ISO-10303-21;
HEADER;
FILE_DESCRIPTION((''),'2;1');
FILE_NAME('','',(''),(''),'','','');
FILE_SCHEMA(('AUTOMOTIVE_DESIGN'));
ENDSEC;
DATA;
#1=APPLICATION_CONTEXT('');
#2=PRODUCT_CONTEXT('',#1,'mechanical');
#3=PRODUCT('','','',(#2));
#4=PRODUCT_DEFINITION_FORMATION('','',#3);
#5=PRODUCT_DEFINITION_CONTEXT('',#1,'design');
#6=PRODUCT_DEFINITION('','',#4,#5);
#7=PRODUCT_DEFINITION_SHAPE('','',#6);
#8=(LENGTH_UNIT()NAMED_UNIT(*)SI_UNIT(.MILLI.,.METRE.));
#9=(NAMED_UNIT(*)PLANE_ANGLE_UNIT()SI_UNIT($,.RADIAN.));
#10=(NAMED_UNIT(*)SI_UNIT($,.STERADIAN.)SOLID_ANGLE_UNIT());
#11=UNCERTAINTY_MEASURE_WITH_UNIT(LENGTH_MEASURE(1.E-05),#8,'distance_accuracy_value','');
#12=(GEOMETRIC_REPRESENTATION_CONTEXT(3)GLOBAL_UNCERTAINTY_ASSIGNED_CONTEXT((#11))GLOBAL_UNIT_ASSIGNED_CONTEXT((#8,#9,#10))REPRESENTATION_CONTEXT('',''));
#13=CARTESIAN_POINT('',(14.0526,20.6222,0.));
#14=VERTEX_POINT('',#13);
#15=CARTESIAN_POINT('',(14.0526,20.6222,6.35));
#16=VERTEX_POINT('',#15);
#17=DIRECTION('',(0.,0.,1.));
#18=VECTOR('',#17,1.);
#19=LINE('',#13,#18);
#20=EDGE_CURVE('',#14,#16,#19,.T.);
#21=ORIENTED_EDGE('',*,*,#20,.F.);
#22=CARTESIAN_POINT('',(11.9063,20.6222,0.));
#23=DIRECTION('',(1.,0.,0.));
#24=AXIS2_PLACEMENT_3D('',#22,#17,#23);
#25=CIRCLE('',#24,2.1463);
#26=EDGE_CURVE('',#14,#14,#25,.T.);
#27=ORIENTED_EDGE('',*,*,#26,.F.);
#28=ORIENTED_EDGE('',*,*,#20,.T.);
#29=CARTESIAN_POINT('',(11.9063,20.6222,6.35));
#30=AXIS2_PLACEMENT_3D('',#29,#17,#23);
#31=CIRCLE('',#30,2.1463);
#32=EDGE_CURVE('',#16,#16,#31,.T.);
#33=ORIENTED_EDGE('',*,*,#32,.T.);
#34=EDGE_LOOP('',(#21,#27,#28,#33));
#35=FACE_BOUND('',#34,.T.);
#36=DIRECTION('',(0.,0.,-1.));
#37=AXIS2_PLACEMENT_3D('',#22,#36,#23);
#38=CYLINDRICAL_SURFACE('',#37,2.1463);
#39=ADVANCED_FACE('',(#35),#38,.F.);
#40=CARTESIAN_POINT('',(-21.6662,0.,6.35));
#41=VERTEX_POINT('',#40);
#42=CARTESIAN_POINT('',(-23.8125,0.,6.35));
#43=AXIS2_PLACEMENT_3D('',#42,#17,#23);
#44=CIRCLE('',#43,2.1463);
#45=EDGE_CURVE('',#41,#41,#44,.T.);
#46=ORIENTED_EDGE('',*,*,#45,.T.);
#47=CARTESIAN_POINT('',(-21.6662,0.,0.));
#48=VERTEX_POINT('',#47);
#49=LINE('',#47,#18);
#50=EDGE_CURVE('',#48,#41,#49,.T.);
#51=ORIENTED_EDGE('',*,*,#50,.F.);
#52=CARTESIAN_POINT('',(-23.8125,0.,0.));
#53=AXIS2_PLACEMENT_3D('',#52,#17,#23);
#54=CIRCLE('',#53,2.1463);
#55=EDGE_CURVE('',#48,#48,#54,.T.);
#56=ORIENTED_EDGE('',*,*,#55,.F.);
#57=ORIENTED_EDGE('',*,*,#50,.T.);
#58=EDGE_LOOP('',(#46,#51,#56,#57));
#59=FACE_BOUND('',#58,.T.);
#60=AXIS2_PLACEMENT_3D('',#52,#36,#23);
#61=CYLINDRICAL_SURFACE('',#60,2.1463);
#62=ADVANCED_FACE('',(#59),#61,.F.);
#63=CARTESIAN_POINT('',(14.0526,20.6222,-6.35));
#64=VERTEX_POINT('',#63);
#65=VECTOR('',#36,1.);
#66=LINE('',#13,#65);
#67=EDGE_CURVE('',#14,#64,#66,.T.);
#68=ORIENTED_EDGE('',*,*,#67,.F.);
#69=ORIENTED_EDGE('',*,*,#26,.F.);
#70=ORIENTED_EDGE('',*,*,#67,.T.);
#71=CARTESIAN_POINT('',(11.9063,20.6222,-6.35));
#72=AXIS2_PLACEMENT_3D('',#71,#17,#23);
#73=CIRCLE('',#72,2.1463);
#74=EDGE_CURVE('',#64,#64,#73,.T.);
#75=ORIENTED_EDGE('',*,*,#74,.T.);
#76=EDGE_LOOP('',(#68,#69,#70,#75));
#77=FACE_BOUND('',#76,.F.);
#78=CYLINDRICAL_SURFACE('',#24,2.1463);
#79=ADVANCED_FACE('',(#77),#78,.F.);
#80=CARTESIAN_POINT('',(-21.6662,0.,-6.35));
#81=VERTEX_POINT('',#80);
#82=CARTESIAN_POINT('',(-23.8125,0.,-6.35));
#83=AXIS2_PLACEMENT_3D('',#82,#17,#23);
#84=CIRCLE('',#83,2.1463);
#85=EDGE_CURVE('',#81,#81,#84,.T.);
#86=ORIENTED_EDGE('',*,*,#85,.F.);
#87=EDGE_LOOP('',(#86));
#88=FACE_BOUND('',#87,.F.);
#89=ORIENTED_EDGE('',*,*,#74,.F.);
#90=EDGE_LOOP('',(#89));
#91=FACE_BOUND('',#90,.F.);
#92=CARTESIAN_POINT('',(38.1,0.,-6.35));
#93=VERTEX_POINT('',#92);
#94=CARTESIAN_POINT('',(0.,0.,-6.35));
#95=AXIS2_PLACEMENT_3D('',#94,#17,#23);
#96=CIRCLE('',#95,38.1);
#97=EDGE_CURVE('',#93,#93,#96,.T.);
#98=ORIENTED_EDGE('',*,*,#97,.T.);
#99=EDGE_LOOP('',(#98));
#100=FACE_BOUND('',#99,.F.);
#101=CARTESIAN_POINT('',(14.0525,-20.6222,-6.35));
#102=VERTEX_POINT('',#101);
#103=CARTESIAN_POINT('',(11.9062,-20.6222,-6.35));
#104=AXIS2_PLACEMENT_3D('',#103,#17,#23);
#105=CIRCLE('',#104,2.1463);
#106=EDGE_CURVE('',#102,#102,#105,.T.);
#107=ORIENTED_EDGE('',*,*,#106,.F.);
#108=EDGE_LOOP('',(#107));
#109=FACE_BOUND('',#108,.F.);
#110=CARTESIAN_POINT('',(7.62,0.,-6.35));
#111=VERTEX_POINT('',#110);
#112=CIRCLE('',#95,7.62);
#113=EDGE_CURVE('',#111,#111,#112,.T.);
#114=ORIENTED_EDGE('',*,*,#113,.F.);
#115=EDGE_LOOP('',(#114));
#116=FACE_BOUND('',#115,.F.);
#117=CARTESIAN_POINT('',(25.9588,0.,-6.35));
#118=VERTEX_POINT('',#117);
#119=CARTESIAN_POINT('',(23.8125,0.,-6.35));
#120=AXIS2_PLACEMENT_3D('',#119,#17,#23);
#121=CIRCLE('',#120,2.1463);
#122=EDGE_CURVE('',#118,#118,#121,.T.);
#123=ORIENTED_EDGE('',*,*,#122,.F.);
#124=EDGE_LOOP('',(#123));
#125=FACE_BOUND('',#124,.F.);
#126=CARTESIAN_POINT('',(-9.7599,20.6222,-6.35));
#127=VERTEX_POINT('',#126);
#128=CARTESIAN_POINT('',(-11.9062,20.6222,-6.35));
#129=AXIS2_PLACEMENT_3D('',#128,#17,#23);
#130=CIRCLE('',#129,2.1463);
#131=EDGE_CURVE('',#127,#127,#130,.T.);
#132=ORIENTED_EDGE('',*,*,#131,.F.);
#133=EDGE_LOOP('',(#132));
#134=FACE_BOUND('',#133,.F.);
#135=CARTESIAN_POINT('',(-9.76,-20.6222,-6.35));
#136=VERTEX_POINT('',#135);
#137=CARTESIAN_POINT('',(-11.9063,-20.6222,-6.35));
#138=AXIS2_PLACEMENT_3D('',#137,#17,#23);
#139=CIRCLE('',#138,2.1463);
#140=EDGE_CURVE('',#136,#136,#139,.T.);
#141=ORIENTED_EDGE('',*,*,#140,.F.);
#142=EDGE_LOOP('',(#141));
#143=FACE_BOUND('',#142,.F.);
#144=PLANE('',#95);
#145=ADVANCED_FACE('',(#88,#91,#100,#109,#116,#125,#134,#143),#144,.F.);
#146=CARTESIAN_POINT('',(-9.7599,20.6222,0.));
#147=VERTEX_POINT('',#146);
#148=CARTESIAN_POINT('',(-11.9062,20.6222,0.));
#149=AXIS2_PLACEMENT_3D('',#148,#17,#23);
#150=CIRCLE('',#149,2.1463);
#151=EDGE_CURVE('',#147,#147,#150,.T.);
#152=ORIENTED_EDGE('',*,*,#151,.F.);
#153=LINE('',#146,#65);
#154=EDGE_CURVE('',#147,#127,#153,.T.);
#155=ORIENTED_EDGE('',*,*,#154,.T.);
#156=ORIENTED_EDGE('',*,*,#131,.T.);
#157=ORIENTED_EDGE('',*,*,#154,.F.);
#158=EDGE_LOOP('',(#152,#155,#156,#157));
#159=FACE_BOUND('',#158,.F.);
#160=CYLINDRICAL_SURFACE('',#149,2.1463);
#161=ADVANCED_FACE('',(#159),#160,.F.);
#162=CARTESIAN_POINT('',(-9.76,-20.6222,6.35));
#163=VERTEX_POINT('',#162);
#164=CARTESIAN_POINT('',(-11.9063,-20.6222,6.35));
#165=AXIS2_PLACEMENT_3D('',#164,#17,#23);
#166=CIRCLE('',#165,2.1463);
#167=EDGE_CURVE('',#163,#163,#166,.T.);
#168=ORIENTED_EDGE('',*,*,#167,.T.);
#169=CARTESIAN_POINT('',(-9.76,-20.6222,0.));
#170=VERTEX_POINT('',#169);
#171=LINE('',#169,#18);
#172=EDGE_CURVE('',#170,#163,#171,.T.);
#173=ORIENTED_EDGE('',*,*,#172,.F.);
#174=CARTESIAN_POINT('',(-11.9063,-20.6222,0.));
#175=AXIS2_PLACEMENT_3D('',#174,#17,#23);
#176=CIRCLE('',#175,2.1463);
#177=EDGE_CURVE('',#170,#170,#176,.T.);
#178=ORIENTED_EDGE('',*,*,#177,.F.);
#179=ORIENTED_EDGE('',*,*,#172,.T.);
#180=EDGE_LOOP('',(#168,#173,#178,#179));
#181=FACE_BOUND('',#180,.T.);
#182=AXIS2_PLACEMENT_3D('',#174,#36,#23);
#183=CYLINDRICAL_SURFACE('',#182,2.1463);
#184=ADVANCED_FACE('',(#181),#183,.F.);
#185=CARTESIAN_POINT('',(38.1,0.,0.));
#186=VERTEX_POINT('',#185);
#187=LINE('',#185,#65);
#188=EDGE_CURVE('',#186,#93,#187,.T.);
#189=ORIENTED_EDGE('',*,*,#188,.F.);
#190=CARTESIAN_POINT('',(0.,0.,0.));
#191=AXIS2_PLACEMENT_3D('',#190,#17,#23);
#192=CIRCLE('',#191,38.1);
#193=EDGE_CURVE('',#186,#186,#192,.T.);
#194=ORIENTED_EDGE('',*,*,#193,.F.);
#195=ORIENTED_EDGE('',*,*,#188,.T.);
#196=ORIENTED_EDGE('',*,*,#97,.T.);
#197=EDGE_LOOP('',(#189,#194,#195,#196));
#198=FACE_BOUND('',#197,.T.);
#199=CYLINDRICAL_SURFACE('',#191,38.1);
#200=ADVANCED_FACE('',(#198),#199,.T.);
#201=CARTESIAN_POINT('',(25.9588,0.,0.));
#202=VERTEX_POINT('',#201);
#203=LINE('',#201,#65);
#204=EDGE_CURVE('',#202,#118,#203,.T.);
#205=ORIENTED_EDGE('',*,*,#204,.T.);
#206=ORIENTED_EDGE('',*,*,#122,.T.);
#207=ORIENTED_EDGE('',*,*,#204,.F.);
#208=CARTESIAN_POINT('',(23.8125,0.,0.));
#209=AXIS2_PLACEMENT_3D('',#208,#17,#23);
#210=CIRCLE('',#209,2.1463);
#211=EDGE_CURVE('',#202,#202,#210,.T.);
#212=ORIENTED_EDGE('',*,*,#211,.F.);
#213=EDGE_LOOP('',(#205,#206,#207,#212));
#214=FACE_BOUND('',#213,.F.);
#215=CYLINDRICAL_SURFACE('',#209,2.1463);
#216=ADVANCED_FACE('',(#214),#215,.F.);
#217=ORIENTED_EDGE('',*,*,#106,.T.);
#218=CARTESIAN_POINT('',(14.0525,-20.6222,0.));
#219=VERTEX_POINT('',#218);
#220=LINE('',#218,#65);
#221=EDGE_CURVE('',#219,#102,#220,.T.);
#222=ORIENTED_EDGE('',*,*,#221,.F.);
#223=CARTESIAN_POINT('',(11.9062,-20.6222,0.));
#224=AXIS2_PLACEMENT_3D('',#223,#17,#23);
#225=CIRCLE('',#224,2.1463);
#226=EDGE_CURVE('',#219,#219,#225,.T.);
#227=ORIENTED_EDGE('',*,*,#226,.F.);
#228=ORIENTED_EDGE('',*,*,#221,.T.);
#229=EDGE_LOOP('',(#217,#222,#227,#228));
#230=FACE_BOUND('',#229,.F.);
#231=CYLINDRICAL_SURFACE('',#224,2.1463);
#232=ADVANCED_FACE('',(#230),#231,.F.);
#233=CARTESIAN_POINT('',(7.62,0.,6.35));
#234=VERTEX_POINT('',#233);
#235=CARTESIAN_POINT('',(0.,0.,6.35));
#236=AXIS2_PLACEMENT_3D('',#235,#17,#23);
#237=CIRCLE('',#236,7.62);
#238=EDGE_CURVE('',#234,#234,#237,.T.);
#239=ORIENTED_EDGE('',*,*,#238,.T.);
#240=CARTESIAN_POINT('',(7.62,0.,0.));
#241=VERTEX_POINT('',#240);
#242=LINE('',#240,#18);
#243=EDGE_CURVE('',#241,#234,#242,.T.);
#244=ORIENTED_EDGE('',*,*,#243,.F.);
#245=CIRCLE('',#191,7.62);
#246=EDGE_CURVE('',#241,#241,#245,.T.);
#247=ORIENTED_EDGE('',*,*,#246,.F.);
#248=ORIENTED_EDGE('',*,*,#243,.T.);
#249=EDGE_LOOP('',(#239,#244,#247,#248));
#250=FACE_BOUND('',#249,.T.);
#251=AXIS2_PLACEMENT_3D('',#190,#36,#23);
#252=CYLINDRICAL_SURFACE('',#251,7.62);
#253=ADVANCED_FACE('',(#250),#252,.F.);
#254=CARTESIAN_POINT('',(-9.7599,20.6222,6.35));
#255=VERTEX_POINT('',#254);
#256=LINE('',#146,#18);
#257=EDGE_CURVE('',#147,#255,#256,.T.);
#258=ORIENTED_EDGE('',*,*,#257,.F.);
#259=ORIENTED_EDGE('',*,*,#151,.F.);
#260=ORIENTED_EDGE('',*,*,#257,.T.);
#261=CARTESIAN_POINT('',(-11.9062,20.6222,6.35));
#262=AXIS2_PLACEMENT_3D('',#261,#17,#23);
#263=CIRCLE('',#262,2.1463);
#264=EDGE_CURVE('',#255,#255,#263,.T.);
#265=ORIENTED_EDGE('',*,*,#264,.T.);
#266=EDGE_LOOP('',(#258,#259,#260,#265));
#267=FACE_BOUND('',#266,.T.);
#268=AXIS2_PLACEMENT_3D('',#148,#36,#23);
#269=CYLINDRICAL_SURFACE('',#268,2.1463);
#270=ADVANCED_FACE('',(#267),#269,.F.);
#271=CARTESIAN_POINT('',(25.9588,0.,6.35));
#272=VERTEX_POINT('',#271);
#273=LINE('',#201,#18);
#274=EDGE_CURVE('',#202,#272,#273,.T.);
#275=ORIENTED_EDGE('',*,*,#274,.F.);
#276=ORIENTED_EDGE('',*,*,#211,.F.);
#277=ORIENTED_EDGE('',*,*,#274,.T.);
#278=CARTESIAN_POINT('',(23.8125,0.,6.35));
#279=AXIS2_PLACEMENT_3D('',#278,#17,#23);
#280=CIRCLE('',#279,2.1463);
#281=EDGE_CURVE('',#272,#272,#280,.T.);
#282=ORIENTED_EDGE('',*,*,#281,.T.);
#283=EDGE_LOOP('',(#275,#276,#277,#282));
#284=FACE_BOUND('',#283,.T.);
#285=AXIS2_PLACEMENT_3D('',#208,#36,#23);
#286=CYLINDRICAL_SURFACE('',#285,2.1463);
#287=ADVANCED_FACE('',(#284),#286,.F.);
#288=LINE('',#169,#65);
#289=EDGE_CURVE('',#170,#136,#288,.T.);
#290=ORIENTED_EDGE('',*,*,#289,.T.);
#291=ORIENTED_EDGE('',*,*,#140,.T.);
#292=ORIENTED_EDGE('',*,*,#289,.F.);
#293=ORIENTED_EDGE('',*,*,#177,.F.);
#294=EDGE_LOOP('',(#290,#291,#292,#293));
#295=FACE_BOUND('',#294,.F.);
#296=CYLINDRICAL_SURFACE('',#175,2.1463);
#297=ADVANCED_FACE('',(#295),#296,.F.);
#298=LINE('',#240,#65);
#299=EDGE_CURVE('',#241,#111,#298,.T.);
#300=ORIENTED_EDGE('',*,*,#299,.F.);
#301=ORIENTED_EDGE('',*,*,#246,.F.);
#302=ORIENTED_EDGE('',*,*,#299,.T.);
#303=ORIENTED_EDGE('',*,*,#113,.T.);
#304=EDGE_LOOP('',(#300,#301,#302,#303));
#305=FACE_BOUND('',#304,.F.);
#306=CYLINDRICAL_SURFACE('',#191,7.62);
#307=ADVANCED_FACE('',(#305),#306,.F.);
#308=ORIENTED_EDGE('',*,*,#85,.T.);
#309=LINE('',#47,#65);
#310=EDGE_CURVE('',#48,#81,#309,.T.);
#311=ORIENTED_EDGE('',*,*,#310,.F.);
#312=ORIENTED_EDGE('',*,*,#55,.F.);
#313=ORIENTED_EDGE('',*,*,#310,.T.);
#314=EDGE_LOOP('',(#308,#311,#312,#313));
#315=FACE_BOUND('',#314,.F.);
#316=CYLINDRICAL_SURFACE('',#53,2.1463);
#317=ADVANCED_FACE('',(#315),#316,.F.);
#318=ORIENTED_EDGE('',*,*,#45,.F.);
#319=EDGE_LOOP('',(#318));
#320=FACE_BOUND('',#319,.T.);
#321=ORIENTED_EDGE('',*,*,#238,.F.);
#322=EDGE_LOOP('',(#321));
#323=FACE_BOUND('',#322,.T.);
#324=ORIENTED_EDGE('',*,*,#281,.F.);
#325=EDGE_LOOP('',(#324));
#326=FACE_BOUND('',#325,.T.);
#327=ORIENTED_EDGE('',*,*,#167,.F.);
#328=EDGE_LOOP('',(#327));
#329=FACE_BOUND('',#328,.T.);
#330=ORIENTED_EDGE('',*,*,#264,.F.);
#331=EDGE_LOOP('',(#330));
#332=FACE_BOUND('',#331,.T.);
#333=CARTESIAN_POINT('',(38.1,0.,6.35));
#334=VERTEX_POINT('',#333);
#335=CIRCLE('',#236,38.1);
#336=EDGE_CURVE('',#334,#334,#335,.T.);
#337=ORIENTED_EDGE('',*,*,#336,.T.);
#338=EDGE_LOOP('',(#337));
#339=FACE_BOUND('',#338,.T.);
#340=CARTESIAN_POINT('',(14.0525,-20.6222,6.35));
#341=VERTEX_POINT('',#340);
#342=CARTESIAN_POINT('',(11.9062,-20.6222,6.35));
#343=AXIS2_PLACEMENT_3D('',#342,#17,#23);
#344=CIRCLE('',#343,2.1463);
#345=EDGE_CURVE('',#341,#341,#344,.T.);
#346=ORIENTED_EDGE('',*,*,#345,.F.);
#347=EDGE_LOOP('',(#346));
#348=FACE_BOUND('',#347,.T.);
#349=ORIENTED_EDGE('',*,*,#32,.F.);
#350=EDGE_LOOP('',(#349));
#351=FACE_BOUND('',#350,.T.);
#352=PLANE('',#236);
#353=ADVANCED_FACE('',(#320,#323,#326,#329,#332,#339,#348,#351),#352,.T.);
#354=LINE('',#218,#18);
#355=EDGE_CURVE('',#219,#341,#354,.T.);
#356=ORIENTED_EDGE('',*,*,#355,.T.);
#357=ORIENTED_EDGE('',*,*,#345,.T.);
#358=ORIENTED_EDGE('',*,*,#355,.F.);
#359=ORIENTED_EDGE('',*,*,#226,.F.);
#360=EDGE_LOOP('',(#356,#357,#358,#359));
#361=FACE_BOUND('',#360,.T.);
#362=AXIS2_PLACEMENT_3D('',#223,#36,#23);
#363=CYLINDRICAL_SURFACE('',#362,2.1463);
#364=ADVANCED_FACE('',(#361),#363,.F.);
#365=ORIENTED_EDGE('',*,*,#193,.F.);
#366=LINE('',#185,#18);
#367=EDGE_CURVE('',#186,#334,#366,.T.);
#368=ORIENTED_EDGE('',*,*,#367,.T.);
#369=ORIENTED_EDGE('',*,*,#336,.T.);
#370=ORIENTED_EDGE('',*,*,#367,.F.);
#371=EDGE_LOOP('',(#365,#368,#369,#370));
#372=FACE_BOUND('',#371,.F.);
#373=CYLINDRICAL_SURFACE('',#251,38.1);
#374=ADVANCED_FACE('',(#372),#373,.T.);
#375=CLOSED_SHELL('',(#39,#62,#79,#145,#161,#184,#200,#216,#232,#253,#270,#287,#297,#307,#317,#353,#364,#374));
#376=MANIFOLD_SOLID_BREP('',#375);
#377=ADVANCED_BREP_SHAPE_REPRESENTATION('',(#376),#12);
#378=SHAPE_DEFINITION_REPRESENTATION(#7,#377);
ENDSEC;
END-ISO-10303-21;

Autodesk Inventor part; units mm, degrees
ref_plane "YZ Plane" through (0, 0, 0) normal (1, 0, 0) x (0, 1, 0)
ref_plane "XZ Plane" through (0, 0, 0) normal (0, 1, 0) x (-1, 0, 0)
ref_plane "XY Plane" through (0, 0, 0) normal (0, 0, 1) x (1, 0, 0)
sketch "Sketch1" plane through (0, 0, 0) normal (0, 0, 1) x (1, 0, 0)
  circle A0 centre (23.8125, 0) radius 2.1463
  circle A1 centre (11.9063, 20.6222) radius 2.1463
  circle A2 centre (-11.9062, 20.6222) radius 2.1463
  circle A3 centre (-23.8125, 0) radius 2.1463
  circle A4 centre (-11.9063, -20.6222) radius 2.1463
  circle A5 centre (11.9062, -20.6222) radius 2.1463
  circle A6 centre (0, 0) radius 38.1
  circle A7 centre (0, 0) radius 7.62
  dimension "d0" = 4.2926
  dimension "d4" = 360
  dimension "d6" = 76.2
  dimension "d9" = 15.24
extrude "Extrusion1" add sketch "Sketch1" along normal mid plane 12.7
properties part number "Spool Hub" material "Acetal Resin, White"
